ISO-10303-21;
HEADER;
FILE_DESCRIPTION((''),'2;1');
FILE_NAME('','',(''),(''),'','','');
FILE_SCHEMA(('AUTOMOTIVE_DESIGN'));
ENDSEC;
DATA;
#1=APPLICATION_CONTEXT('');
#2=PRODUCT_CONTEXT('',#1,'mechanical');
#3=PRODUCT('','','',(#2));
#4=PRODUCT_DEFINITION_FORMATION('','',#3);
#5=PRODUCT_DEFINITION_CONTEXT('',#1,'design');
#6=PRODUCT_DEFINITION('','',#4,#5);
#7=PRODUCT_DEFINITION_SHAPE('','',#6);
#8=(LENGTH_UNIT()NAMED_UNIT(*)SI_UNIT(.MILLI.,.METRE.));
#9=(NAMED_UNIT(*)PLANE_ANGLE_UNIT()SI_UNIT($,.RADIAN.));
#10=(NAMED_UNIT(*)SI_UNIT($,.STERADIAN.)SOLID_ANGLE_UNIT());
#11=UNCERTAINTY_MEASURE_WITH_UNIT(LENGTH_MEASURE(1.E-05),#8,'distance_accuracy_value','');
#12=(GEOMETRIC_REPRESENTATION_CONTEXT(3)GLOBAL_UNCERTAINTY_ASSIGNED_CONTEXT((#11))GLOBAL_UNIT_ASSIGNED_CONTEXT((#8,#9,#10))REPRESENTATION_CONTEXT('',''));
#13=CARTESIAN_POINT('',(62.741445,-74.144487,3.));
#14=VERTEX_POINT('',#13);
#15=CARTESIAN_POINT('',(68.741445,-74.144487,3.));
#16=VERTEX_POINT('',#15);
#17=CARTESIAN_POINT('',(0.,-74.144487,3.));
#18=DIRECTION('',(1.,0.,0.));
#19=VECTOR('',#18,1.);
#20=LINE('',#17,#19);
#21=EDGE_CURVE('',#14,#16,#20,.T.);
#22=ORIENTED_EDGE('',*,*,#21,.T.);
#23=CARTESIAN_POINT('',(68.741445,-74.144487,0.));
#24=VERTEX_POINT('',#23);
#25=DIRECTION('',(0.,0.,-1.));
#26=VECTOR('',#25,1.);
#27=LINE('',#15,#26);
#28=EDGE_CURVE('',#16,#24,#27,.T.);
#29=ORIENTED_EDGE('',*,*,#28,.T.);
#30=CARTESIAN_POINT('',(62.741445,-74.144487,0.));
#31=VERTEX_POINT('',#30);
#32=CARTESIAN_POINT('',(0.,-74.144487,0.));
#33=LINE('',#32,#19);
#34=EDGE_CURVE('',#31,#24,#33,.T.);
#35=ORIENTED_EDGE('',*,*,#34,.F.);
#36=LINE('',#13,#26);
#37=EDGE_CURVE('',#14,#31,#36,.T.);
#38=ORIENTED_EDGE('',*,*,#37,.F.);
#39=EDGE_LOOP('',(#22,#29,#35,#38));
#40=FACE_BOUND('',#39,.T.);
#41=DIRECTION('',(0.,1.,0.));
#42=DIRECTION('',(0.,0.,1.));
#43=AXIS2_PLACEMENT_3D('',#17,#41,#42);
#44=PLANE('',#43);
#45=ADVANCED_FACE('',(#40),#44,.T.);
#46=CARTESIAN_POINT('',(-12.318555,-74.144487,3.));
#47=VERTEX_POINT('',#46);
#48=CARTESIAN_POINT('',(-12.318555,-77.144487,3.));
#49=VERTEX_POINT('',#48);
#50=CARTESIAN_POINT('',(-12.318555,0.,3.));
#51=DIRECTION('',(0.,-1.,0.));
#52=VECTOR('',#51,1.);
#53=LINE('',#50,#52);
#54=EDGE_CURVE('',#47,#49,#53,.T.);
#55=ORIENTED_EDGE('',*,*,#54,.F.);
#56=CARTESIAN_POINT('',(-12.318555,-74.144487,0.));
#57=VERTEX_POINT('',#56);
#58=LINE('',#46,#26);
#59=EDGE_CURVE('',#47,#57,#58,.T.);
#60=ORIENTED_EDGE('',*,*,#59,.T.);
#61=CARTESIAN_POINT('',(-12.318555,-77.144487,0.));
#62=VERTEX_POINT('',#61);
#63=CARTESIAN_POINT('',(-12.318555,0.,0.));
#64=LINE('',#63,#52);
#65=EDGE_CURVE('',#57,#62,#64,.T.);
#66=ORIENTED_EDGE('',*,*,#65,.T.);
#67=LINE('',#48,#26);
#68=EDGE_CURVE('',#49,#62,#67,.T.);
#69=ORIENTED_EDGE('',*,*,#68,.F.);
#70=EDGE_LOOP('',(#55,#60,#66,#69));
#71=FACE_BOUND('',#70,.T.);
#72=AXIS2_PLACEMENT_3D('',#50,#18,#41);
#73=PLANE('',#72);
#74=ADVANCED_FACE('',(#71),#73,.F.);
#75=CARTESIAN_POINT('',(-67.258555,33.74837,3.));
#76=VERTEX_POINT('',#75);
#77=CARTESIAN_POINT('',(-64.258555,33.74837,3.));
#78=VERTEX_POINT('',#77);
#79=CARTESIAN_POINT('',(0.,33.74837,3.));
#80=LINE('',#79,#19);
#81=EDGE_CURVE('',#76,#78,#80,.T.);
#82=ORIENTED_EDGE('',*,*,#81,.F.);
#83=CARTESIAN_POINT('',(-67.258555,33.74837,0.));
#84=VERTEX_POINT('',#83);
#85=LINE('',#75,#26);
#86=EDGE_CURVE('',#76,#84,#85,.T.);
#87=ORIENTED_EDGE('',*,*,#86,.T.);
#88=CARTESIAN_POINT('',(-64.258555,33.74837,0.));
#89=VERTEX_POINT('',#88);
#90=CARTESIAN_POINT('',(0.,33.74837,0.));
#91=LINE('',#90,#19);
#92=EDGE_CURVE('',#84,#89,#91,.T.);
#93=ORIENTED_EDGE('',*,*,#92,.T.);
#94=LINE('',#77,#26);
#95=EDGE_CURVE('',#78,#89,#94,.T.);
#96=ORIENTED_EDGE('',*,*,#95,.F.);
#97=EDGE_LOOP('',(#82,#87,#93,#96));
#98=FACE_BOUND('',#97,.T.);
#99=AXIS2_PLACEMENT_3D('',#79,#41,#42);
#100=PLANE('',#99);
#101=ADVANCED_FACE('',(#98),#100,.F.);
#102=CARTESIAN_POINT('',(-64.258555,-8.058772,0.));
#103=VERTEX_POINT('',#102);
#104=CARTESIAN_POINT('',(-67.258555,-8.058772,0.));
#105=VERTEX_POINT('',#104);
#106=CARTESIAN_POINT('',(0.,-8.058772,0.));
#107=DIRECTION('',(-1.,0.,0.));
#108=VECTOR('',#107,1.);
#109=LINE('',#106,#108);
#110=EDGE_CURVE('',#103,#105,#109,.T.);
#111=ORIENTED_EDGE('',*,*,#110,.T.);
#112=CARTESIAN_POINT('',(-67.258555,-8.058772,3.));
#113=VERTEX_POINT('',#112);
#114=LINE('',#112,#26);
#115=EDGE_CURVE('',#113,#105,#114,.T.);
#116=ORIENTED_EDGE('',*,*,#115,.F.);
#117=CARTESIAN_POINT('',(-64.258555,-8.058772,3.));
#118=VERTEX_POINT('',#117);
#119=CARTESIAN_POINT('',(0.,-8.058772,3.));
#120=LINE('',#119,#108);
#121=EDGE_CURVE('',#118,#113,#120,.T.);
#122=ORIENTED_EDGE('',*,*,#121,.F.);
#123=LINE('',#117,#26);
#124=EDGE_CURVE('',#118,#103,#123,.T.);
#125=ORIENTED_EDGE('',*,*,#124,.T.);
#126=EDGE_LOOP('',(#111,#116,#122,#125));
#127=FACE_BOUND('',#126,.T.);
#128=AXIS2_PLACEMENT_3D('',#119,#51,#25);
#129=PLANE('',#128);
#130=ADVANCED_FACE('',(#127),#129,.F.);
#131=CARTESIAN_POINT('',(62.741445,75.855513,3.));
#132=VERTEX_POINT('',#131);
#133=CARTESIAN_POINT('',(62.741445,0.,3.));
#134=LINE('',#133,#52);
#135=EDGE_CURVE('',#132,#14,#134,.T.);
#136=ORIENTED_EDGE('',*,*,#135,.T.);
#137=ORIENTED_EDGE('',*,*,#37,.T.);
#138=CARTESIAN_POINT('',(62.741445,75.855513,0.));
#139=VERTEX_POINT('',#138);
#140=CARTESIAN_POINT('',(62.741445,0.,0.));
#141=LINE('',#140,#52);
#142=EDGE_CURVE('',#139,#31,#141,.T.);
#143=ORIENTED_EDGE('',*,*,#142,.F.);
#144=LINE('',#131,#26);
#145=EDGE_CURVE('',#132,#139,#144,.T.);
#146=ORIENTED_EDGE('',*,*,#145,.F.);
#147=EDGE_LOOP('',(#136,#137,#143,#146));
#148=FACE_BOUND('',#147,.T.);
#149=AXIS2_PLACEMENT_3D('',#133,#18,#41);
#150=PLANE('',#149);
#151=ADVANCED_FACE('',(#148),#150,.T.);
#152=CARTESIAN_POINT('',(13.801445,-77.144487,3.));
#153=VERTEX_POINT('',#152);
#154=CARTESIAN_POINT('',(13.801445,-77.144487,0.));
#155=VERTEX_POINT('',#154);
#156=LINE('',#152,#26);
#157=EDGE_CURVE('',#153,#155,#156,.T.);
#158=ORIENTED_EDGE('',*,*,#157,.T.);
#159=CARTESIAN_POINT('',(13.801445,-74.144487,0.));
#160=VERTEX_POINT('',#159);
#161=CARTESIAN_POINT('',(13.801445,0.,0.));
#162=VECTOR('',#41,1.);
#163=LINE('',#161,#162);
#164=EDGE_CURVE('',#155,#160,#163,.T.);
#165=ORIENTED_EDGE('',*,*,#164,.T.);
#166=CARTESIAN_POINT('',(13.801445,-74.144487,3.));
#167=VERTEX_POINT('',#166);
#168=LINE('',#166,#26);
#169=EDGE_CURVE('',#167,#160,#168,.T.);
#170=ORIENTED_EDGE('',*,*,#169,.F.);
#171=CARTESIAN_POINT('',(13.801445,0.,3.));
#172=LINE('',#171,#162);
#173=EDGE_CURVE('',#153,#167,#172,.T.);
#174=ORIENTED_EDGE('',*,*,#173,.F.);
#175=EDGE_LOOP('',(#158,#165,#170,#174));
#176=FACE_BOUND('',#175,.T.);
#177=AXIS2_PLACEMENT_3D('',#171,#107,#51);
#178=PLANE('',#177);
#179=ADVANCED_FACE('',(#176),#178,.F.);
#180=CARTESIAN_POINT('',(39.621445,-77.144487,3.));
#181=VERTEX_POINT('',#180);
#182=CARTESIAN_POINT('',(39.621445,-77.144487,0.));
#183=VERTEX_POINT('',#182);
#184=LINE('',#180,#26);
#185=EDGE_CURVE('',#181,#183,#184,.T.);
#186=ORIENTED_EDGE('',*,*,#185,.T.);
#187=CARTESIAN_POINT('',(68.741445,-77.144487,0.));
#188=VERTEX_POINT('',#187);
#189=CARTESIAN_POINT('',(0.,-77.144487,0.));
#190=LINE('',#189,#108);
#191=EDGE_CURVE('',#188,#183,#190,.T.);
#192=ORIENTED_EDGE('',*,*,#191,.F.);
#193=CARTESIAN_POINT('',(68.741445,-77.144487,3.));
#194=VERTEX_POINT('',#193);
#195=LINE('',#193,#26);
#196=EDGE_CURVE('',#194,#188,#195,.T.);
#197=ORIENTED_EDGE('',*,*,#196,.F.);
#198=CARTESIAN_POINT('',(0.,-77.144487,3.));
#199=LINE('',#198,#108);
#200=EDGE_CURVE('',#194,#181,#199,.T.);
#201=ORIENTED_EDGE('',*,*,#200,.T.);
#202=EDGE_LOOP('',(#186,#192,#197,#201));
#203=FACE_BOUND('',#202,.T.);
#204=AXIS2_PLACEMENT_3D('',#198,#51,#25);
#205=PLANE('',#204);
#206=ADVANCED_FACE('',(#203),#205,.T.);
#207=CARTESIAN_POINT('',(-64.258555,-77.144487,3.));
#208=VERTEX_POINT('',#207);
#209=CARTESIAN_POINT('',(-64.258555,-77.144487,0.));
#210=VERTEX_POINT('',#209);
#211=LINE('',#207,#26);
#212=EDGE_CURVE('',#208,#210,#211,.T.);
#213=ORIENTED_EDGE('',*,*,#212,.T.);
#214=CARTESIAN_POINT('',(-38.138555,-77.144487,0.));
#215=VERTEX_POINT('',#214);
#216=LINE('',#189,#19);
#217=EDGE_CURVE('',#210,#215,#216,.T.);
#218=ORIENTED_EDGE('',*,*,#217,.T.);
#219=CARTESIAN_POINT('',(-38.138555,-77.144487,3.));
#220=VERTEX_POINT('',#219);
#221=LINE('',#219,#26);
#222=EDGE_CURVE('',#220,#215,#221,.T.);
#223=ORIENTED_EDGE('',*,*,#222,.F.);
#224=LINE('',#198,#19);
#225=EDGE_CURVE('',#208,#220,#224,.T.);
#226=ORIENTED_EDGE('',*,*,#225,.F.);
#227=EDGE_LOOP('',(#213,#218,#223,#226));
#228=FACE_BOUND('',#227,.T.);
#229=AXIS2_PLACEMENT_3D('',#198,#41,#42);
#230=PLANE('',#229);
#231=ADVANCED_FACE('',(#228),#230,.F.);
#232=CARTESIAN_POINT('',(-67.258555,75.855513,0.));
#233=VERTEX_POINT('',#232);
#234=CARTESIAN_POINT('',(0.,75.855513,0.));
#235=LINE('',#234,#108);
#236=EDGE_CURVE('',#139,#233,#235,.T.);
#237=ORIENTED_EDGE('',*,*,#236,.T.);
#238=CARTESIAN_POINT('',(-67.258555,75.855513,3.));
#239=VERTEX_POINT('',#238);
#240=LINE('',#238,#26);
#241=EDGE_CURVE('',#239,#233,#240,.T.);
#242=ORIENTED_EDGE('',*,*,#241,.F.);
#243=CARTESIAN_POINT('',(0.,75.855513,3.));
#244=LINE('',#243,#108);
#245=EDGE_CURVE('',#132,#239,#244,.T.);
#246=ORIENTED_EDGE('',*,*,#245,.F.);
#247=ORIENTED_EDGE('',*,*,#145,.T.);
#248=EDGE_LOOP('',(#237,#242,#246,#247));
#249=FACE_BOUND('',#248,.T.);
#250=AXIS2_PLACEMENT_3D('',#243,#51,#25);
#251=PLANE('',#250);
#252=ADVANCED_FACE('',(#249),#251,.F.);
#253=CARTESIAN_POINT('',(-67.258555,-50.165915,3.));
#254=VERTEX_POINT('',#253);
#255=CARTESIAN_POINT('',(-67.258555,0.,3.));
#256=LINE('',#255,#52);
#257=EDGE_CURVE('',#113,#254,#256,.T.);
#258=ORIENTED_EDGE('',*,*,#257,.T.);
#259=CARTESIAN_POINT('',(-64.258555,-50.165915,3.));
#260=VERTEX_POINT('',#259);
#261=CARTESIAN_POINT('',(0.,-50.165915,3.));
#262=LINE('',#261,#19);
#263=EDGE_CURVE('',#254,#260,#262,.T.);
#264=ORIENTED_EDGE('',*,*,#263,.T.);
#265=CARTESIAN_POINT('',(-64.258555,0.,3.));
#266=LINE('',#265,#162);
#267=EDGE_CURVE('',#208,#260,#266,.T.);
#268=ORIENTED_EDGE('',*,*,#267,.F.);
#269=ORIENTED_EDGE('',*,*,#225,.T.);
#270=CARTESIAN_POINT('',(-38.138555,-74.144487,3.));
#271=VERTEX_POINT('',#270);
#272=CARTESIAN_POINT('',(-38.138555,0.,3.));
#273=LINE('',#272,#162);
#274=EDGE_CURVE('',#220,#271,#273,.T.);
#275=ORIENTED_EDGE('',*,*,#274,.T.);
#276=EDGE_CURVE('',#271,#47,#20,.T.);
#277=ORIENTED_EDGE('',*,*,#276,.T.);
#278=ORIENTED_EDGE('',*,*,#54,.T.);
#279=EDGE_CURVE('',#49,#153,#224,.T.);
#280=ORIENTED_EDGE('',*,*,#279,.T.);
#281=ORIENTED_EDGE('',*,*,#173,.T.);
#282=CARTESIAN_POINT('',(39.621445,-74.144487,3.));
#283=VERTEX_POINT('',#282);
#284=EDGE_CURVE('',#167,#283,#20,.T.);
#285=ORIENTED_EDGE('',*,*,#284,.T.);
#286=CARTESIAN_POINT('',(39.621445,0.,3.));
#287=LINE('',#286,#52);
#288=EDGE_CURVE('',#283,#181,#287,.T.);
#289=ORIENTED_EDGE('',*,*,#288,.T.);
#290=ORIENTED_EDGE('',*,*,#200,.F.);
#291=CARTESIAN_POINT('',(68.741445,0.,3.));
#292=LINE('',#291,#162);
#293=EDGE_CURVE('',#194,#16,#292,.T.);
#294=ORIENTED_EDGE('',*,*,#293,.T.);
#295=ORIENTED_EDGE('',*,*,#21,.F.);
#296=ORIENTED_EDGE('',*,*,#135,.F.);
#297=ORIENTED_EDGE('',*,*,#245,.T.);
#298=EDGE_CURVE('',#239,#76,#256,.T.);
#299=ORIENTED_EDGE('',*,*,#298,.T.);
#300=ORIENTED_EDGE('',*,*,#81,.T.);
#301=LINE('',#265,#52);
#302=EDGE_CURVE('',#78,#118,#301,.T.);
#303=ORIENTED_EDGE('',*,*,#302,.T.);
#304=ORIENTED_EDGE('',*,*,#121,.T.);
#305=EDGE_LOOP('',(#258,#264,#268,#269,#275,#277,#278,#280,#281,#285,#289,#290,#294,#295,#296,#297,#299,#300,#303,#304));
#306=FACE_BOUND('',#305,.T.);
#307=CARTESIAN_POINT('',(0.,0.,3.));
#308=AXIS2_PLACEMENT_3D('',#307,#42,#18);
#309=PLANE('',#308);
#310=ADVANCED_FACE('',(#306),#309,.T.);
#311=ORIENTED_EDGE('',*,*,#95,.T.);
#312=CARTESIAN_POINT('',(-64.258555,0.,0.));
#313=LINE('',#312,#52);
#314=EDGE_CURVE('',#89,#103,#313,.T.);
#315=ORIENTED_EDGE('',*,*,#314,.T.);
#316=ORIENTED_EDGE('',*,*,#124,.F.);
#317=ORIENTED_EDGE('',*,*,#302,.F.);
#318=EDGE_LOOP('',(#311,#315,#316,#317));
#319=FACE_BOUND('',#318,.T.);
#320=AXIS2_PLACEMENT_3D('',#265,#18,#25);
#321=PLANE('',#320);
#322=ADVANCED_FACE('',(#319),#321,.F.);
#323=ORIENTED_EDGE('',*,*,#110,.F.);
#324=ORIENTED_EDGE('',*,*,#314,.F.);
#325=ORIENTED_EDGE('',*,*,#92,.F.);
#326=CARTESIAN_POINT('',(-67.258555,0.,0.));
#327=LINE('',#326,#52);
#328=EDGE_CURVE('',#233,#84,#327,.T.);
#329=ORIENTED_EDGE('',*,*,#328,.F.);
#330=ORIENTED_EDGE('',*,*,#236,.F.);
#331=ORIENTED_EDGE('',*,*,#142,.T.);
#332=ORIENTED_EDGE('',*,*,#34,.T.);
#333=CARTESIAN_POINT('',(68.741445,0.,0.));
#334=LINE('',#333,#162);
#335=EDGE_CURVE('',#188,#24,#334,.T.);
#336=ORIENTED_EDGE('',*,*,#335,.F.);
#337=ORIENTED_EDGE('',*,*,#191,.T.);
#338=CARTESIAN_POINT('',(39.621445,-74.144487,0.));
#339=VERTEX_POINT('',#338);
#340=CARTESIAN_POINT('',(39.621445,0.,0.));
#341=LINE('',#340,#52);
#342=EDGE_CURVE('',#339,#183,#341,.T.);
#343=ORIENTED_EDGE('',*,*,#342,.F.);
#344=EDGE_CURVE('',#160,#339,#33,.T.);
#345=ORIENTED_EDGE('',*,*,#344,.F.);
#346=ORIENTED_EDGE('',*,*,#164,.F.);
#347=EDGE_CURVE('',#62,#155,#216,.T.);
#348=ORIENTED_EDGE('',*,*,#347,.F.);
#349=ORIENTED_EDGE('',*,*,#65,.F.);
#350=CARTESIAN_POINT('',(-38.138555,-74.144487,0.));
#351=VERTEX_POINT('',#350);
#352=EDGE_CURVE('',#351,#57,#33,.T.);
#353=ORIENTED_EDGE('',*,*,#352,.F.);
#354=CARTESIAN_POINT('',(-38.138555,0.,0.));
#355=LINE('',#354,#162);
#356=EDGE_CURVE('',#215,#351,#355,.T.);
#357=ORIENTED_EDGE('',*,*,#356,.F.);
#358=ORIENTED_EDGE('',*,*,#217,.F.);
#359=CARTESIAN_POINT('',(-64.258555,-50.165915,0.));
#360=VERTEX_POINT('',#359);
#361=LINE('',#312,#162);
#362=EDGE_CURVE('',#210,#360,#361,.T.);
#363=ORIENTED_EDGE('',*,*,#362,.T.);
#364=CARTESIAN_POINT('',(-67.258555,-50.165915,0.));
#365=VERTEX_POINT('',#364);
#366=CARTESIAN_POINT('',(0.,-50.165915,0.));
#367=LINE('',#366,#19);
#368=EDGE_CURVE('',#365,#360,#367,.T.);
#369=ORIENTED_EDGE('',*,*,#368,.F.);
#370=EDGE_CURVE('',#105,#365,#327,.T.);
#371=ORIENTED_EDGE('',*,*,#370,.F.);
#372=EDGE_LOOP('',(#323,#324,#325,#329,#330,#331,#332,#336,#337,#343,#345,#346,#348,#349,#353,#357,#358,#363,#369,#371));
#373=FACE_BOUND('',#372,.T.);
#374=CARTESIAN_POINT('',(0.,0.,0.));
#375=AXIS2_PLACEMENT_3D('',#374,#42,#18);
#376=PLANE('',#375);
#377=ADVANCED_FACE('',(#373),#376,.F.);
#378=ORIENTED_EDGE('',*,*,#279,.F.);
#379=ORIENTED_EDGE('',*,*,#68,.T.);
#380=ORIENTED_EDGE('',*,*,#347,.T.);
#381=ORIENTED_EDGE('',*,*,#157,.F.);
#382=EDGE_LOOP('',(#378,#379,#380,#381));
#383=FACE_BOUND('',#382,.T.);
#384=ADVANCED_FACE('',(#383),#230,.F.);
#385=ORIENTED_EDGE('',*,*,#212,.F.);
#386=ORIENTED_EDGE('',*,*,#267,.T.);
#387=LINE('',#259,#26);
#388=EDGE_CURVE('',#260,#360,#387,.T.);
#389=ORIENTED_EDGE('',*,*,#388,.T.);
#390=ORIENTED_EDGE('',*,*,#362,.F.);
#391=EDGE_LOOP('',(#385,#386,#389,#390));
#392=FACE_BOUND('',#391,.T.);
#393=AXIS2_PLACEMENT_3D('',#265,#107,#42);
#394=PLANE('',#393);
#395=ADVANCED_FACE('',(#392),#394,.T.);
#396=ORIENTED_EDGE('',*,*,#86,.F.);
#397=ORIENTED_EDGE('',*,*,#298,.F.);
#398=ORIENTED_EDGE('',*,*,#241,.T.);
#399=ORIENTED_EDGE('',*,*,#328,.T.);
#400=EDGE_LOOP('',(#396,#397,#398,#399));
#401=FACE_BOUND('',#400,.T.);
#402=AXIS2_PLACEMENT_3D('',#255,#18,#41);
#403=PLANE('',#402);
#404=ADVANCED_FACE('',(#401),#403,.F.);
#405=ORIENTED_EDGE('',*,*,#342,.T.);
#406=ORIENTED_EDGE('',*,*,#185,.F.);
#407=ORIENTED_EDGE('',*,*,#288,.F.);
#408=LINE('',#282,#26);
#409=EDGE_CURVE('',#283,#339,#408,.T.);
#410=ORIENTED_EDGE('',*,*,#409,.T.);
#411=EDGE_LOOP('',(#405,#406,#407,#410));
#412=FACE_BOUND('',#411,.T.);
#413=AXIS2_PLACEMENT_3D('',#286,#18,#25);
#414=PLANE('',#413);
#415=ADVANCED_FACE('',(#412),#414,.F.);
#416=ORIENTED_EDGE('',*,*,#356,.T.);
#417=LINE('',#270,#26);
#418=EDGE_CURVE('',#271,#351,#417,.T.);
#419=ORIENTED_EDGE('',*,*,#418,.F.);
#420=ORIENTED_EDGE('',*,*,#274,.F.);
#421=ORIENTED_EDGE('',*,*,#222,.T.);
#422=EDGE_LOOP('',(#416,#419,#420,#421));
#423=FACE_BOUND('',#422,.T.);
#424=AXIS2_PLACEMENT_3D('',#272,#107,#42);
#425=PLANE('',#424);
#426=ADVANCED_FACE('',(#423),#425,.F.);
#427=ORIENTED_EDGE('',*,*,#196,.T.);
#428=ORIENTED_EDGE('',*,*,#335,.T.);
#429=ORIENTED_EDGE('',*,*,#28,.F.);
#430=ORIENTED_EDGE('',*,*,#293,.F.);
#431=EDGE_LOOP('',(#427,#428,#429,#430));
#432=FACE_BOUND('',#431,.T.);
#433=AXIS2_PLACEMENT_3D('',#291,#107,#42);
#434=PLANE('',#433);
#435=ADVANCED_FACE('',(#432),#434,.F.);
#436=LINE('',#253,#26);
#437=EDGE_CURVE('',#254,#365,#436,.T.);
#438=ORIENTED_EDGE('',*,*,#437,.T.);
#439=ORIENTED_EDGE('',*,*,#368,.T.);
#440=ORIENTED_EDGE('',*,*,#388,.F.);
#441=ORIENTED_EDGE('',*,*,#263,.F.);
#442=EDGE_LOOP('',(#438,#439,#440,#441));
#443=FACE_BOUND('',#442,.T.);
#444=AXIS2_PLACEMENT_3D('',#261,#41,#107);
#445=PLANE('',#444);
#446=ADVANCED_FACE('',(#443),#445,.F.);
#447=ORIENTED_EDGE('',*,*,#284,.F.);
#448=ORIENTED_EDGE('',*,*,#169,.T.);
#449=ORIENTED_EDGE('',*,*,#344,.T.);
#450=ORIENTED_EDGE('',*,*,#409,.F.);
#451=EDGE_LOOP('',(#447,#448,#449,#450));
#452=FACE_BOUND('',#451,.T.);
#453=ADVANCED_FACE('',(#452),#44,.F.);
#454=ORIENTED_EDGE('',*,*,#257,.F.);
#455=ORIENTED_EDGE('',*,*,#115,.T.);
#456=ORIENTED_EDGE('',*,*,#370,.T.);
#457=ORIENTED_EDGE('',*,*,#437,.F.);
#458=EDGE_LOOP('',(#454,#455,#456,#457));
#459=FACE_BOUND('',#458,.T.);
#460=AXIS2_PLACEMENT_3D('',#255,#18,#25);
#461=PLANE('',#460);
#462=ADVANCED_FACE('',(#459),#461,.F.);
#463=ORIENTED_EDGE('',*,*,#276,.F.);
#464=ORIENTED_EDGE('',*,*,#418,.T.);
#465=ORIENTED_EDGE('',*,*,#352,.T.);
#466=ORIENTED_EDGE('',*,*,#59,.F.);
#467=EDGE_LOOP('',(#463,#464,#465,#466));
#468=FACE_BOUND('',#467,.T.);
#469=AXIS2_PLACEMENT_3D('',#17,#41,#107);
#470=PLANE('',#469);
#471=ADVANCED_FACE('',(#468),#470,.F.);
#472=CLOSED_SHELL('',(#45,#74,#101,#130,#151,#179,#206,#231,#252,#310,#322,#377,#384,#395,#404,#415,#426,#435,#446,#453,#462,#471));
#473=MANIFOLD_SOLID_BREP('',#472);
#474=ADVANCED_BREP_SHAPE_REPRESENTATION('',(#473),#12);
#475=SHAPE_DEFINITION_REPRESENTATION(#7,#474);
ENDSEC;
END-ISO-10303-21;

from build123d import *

# Parameters (mm, degrees)
BOSS_EXTRUDE1_DEPTH = 3


with BuildPart() as part:
    # Sketch1 → Boss-Extrude1 (new body)
    with BuildSketch(Plane.XY):
        Polygon((65.741444867, -77.144486692), (68.741444867, -77.144486692), (68.741444867, -74.144486692), (62.741444867, -74.144486692), (62.741444867, 75.855513308), (-67.258555133, 75.855513308), (-67.258555133, 33.748370448), (-64.258555133, 33.748370448), (-64.258555133, -8.058772412), (-67.258555133, -8.058772412), (-67.258555133, -50.165915272), (-64.258555133, -50.165915272), (-64.258555133, -77.144486692), (-38.138555133, -77.144486692), (-38.138555133, -74.144486692), (-12.318555133, -74.144486692), (-12.318555133, -77.144486692), (13.801444867, -77.144486692), (13.801444867, -74.144486692), (39.621444867, -74.144486692), (39.621444867, -77.144486692), align=None)
    extrude(amount=BOSS_EXTRUDE1_DEPTH)


solid = part.part
